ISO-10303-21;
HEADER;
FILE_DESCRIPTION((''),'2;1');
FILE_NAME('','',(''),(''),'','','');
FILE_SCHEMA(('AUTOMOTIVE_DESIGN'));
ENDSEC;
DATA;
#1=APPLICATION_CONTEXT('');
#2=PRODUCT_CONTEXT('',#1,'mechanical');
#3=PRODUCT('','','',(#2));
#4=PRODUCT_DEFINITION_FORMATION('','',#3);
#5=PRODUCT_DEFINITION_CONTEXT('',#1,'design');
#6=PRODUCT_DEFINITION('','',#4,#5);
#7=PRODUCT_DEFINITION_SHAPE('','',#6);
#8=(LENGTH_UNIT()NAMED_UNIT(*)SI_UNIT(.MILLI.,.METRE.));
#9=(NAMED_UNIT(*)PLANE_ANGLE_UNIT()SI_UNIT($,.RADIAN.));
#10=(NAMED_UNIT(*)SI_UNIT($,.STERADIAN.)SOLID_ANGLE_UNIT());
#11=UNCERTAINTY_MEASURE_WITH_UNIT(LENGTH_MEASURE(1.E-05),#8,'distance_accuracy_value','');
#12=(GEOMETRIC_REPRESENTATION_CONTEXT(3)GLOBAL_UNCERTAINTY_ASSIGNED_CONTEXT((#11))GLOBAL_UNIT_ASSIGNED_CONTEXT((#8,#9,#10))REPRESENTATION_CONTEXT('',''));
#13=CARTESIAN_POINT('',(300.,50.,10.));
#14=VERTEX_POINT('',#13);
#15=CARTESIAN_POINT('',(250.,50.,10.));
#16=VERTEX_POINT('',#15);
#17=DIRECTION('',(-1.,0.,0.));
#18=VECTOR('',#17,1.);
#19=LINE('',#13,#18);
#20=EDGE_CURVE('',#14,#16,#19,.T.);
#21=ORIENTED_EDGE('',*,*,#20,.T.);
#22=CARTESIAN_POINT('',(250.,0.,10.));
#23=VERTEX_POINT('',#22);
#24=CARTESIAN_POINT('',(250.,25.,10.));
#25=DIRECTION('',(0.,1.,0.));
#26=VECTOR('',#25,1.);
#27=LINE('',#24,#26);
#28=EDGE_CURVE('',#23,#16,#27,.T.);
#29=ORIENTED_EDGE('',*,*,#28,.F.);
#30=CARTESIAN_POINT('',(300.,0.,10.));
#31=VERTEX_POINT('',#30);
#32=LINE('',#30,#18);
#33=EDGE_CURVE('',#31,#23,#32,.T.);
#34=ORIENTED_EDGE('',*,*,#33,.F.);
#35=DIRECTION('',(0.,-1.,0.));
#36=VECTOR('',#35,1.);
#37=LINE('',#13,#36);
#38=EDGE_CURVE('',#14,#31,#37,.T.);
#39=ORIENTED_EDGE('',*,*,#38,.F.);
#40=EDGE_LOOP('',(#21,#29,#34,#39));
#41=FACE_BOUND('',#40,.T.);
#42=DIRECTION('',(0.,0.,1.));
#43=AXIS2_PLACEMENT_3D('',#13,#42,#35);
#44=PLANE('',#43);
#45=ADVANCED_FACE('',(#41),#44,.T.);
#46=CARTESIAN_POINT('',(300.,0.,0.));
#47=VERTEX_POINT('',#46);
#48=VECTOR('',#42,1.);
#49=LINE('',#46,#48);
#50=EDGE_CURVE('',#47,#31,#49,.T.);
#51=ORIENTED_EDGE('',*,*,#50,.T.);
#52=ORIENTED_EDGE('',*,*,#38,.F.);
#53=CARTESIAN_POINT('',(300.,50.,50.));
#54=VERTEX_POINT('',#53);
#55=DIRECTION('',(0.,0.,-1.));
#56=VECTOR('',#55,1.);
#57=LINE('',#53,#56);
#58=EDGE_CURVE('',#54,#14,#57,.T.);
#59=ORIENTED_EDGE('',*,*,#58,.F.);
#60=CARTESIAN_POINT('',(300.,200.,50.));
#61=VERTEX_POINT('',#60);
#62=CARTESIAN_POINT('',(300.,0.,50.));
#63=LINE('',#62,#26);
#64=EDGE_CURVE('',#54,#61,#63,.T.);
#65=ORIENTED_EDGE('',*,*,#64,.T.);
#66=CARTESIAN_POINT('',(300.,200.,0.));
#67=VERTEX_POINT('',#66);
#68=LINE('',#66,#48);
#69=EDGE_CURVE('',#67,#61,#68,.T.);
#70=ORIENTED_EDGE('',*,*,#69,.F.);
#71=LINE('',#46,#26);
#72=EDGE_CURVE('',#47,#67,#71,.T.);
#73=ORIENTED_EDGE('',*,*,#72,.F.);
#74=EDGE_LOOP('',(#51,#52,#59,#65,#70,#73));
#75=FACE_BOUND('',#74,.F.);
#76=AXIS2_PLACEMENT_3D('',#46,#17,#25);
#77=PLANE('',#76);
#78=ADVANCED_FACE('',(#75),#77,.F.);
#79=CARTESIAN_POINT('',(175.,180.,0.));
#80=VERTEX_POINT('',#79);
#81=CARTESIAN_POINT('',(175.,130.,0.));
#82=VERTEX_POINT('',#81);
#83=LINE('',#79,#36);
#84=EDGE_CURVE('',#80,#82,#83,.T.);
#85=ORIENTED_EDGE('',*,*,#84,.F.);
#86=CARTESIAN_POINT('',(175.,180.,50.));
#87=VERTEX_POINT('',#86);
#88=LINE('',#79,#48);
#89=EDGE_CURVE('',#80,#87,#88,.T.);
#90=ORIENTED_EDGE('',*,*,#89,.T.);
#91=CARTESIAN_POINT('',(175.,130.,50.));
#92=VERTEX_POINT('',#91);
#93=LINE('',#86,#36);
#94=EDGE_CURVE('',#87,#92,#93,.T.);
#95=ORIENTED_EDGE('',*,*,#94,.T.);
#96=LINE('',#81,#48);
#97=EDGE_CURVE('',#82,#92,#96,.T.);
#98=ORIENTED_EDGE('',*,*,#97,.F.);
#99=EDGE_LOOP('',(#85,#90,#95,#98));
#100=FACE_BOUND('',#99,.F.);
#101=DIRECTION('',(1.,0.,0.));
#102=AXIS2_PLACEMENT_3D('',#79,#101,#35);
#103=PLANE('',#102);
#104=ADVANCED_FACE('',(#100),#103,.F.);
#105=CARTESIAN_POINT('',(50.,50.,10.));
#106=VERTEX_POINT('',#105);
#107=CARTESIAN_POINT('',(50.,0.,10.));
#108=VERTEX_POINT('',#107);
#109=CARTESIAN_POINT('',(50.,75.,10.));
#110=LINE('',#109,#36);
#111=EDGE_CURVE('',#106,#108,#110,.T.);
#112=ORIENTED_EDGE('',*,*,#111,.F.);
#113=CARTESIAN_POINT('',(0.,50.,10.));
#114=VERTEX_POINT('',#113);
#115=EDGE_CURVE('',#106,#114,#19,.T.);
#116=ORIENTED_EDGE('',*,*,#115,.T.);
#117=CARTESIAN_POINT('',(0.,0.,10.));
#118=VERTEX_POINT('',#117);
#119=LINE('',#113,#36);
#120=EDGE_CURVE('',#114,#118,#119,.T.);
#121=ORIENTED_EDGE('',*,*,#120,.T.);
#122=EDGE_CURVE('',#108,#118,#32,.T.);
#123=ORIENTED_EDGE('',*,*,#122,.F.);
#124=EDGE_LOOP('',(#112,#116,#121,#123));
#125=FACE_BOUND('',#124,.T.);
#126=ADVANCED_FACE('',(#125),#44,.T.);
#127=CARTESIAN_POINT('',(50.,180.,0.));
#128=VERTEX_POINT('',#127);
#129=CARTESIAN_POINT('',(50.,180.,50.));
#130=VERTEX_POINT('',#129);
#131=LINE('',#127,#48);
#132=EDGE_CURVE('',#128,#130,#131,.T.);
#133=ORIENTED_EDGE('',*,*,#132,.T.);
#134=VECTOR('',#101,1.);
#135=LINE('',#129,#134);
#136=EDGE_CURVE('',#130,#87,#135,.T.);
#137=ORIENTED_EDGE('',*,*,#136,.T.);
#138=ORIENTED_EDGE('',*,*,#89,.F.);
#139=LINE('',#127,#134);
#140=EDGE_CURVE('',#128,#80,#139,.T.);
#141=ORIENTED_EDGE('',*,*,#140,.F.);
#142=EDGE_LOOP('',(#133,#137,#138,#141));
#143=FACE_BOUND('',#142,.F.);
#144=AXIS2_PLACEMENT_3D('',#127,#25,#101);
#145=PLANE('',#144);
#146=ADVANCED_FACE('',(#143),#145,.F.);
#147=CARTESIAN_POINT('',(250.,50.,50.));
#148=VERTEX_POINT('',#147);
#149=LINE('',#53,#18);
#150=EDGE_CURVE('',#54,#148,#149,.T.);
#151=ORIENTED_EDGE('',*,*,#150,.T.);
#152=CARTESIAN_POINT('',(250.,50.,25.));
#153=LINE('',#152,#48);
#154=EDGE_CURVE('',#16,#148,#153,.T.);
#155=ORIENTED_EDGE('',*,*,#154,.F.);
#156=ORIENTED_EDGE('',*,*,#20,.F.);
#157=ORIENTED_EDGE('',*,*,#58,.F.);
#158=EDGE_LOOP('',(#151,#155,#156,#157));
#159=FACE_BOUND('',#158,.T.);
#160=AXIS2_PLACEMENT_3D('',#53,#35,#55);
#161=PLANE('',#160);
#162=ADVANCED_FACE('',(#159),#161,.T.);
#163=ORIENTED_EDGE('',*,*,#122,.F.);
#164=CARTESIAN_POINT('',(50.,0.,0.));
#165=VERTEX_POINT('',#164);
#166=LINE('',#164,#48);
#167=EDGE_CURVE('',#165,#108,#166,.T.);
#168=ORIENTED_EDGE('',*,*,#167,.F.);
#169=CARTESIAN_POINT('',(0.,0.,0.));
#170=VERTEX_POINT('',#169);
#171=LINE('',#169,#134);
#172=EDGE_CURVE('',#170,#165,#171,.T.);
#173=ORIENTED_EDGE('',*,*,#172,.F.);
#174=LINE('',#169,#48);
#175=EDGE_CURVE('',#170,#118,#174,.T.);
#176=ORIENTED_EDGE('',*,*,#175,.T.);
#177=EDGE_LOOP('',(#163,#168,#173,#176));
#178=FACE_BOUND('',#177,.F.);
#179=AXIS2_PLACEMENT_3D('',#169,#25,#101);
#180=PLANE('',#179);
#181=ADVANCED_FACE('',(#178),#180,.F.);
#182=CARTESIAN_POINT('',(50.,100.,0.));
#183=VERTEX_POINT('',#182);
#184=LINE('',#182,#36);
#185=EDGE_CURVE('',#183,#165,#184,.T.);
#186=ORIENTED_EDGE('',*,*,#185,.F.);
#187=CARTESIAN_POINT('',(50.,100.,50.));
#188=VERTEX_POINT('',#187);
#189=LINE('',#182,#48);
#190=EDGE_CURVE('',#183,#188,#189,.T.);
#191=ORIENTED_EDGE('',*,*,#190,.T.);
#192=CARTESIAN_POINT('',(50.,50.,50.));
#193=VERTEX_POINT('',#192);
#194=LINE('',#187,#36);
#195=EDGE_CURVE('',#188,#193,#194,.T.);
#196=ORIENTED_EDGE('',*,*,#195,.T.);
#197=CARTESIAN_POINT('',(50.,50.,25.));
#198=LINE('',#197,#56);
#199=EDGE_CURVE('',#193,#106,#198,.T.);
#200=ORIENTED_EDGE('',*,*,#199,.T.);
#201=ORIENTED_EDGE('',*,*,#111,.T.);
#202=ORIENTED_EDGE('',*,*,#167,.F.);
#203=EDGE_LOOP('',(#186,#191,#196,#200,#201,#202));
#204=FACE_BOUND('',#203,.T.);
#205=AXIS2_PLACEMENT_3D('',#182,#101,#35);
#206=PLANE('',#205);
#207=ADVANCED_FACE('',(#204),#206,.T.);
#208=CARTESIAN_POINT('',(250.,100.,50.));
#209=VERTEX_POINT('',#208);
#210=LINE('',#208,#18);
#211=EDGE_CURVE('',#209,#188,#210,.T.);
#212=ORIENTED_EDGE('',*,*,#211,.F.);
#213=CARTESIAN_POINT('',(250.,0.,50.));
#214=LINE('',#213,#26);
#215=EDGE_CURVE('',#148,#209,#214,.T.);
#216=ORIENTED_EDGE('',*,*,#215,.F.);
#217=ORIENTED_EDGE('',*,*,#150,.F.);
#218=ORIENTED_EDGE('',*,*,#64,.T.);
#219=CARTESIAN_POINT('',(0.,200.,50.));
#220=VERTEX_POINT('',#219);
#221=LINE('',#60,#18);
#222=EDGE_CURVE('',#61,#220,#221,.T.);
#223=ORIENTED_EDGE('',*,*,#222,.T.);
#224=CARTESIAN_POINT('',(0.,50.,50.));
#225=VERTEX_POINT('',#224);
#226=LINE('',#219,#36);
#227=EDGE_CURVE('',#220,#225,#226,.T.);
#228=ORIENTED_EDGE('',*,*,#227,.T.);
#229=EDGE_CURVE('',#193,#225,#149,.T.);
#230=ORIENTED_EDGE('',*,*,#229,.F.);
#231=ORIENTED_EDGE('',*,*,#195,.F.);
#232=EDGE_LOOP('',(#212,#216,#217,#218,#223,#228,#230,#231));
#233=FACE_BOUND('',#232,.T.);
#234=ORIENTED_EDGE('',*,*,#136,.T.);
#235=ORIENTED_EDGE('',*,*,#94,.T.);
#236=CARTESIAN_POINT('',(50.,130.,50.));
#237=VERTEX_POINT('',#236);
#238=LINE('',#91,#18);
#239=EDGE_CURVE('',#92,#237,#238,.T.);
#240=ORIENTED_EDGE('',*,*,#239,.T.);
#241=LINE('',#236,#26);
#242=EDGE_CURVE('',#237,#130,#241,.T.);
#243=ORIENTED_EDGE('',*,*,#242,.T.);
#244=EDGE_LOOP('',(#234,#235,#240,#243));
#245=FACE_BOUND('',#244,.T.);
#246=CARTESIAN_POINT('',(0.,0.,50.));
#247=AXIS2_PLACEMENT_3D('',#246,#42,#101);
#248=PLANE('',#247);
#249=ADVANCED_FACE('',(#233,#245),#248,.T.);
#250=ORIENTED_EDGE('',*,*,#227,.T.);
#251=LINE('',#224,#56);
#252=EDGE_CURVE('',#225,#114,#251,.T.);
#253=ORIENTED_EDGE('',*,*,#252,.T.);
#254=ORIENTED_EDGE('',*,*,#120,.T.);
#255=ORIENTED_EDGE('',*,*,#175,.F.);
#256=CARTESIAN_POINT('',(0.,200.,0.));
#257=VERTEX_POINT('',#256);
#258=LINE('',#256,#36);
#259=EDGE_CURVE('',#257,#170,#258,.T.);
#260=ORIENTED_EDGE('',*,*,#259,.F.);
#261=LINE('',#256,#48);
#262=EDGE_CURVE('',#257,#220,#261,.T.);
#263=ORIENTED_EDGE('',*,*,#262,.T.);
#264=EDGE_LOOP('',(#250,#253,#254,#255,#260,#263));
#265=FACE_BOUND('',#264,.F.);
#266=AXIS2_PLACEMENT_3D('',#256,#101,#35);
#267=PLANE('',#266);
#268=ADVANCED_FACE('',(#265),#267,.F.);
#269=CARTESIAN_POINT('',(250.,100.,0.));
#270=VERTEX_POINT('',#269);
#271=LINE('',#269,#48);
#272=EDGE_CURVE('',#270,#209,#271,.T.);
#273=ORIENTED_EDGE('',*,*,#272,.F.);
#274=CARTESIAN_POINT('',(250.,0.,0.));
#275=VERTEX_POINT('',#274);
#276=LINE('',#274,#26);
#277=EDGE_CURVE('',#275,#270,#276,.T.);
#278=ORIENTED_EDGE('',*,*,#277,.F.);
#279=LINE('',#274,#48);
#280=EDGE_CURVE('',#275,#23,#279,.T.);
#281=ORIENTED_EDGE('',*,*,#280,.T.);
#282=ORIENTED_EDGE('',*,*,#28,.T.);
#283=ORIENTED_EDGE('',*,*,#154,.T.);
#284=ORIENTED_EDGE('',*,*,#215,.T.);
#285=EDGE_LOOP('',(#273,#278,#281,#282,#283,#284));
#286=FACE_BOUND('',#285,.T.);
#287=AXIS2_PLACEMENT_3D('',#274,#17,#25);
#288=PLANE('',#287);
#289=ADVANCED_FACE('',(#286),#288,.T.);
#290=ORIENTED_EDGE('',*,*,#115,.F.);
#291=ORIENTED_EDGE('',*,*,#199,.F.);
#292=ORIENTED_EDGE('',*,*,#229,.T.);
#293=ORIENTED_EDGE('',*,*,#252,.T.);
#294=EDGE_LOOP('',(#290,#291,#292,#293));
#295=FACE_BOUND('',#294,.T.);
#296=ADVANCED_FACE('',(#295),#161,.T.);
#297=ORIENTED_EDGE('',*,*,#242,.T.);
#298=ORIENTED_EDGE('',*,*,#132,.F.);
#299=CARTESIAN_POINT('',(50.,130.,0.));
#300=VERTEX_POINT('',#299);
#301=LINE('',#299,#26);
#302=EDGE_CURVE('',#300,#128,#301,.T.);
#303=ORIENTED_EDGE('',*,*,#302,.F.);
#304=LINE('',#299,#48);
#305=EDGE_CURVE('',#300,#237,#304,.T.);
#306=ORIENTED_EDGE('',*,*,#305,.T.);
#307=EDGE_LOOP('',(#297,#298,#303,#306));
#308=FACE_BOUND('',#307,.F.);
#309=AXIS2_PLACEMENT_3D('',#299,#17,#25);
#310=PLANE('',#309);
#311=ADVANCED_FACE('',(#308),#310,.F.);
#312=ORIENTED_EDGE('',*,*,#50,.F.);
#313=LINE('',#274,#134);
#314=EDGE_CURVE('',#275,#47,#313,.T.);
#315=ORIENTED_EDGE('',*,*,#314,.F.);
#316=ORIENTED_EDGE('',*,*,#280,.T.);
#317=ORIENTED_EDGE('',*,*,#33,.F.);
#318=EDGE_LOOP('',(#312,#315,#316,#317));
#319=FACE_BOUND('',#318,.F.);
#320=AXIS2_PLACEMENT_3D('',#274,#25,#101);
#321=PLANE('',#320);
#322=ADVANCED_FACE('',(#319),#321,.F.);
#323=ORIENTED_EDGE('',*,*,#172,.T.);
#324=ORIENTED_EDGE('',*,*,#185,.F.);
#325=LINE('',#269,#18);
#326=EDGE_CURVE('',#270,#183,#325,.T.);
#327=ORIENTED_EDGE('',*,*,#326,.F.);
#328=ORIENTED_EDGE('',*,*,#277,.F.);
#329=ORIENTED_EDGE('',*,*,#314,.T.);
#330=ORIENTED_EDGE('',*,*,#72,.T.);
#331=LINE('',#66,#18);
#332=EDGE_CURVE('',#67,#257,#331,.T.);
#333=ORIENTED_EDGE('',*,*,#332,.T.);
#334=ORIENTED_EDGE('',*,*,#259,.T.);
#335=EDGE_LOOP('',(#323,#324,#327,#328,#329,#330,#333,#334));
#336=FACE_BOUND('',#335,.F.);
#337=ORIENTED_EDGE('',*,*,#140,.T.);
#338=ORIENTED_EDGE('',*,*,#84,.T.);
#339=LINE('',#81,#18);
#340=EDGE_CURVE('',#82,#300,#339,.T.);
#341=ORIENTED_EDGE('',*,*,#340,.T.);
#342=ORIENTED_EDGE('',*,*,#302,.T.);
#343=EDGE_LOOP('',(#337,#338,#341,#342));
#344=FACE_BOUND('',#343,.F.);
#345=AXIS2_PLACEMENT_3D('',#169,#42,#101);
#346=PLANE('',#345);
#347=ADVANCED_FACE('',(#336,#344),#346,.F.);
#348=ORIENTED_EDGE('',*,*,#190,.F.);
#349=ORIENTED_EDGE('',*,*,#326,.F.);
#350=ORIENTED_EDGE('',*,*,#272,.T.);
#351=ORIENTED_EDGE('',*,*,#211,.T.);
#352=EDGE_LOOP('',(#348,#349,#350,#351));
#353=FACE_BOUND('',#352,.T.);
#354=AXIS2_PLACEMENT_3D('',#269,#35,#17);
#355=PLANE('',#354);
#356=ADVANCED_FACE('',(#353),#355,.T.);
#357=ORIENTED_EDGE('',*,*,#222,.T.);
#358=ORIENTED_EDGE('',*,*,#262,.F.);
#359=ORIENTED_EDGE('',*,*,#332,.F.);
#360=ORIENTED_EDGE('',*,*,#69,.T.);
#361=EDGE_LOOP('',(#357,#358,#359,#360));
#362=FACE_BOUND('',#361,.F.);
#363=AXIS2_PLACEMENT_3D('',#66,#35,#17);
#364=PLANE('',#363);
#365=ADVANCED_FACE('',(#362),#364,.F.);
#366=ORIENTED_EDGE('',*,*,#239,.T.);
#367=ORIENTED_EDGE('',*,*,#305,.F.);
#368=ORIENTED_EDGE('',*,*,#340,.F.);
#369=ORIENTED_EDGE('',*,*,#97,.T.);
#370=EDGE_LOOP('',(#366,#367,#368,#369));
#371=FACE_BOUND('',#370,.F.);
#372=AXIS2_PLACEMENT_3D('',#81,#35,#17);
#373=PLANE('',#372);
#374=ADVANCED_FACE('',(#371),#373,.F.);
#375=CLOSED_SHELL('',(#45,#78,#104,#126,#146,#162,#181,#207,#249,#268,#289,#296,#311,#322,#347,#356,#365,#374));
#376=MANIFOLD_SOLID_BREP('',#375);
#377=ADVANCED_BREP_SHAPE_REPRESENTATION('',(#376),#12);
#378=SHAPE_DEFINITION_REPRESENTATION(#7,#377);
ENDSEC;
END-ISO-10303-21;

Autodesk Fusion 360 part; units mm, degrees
sketch "Esquisse2" plane through (0, 0, 0) normal (0, 0, 1) x (1, 0, 0)
  line L0 (300, 0) -> (300, 200)
  line L1 (300, 200) -> (0, 200)
  line L2 (0, 200) -> (0, 0)
  line L3 (250, 0) -> (250, 100)
  line L4 (250, 100) -> (50, 100)
  line L5 (50, 100) -> (50, 0)
  line L6 (50, 180) -> (175, 180)
  line L7 (175, 180) -> (175, 130)
  line L8 (175, 130) -> (50, 130)
  line L9 (50, 130) -> (50, 180)
  line L10 (0, 0) -> (50, 0)
  line L11 (250, 0) -> (300, 0)
  dimension "d7" = 300
  dimension "d8" = 200
  dimension "d9" = 200
  dimension "d10" = 100
  dimension "d11" = 50
  dimension "d12" = 125
  dimension "d13" = 50
extrude "Extrusion2" add sketch "Esquisse2" along normal blind 50
sketch "Esquisse3" plane through (300, 0, 0) normal (1, 0, 0) x (0, 1, 0)
  line L0 (0, 0) -> (200, 0)
  line L1 (200, 0) -> (200, 50)
  line L2 (200, 50) -> (0, 50)
  line L3 (0, 50) -> (0, 0)
  line L4 (0, 50) -> (50, 50)
  line L5 (50, 50) -> (50, 10)
  line L6 (50, 10) -> (0, 10)
  line L7 (0, 10) -> (0, 50)
  dimension "d16" = 50
  dimension "d17" = 40
extrude "Extrusion3" cut sketch "Esquisse3" against normal blind 300 contours L2 L3 L4 L5 L6 L7
